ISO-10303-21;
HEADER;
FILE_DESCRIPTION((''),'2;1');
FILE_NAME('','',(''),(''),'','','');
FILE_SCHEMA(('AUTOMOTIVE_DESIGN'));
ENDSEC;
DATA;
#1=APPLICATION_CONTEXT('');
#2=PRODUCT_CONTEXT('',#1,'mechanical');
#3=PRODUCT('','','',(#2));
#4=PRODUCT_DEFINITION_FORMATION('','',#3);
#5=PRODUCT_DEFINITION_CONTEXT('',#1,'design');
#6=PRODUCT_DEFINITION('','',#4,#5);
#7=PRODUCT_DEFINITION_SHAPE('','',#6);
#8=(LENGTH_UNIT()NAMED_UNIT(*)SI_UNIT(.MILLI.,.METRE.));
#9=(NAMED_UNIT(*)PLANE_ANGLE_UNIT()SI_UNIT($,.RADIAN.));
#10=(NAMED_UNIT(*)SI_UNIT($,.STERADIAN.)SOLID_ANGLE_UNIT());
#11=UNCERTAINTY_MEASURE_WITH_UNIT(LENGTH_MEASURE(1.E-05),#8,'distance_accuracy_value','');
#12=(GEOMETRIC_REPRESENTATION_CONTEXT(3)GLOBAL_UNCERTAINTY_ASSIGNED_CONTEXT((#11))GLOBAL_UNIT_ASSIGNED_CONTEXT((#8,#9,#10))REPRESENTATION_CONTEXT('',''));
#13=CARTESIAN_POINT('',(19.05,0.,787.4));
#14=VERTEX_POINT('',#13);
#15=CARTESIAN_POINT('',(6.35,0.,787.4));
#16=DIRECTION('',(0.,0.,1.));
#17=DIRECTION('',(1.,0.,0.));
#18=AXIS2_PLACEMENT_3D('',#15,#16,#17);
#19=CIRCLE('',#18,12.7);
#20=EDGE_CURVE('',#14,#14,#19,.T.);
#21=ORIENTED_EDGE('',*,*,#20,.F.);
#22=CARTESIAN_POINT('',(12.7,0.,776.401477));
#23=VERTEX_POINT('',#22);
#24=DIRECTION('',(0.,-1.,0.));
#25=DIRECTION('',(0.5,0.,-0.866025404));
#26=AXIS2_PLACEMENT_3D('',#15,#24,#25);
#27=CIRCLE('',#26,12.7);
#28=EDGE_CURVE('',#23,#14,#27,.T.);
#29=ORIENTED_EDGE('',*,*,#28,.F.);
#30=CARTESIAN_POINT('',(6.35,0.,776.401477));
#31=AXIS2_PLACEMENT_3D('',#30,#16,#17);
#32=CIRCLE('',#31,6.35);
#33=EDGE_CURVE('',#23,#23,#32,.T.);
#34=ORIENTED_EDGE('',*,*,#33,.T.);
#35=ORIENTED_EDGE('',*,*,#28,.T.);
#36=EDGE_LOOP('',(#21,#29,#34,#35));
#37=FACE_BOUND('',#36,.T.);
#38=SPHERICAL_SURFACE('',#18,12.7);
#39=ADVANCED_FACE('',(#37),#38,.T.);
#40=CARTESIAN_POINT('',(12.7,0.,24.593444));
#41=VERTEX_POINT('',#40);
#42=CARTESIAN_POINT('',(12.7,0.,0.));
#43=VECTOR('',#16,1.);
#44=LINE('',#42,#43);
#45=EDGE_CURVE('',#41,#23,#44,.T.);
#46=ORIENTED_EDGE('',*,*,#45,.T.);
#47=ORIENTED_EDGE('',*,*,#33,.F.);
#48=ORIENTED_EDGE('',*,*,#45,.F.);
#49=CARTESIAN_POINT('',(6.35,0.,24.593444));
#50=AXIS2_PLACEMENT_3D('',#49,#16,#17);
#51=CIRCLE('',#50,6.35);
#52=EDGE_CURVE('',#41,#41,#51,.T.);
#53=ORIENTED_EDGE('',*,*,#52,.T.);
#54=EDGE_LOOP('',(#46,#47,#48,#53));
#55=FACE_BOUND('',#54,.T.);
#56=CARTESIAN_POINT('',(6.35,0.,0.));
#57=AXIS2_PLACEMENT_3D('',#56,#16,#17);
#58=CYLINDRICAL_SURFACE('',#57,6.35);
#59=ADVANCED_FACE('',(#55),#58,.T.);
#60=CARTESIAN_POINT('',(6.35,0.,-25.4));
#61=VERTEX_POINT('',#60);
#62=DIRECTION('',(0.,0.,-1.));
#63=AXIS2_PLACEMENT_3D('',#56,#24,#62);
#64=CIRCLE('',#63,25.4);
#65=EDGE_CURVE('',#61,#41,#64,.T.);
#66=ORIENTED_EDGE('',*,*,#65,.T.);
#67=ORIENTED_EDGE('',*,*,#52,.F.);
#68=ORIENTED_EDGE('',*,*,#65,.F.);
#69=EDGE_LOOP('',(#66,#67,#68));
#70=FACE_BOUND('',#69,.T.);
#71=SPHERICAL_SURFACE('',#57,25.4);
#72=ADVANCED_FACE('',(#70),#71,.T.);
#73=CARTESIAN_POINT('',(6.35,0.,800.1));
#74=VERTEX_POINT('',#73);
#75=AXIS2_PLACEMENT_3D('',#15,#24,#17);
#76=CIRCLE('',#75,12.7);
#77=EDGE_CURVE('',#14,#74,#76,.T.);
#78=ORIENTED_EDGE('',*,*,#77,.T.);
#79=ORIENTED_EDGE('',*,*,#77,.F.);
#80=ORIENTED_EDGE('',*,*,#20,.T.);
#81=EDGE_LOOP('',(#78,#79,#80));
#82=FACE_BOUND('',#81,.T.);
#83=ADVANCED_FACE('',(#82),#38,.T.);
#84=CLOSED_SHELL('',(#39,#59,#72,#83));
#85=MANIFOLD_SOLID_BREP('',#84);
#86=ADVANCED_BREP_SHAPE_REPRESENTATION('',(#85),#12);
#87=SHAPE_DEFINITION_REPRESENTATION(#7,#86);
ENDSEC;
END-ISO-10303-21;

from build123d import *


with BuildPart() as f1:
    # F0 (on Front) → F1 (revolve)
    with BuildSketch(Plane.XZ):
        with BuildLine():
            ThreePointArc((19.05, 787.4), (15.3302561211, 796.3802561211), (6.35, 800.1))
            Line((6.35, 800.1), (6.35, 787.4))
            Line((6.35, 787.4), (12.7, 787.4))
            Line((12.7, 787.4), (12.7, 776.4014773719))
            ThreePointArc((12.7, 776.4014773719), (17.3485226281, 781.05), (19.05, 787.4))
        make_face()
        with BuildLine():
            Line((6.35, 787.4), (6.35, 774.7))
            ThreePointArc((6.35, 774.7), (9.6370018728, 775.1327420061), (12.7, 776.4014773719))
            Line((12.7, 776.4014773719), (12.7, 787.4))
            Line((12.7, 787.4), (6.35, 787.4))
        make_face()
        with BuildLine():
            Line((6.35, 774.7), (6.35, 25.4))
            ThreePointArc((6.35, 25.4), (9.5505090291, 25.1975542852), (12.7, 24.5934442484))
            Line((12.7, 24.5934442484), (12.7, 776.4014773719))
            ThreePointArc((12.7, 776.4014773719), (9.6370018728, 775.1327420061), (6.35, 774.7))
        make_face()
        with BuildLine():
            Line((6.35, 25.4), (6.35, 0))
            Line((6.35, 0), (12.7, 0))
            Line((12.7, 0), (12.7, 24.5934442484))
            ThreePointArc((12.7, 24.5934442484), (9.5505090291, 25.1975542852), (6.35, 25.4))
        make_face()
        with BuildLine():
            Line((12.7, 0), (6.35, 0))
            Line((6.35, 0), (6.35, -25.4))
            ThreePointArc((6.35, -25.4), (24.3105122421, -17.9605122421), (31.75, 0))
            ThreePointArc((31.75, 0), (26.4304631421, 15.5542598667), (12.7, 24.5934442484))
            Line((12.7, 24.5934442484), (12.7, 0))
        make_face()
    revolve(axis=Axis((6.35, 0, 387.35), (0, 0, 1)))


solid = f1.part
